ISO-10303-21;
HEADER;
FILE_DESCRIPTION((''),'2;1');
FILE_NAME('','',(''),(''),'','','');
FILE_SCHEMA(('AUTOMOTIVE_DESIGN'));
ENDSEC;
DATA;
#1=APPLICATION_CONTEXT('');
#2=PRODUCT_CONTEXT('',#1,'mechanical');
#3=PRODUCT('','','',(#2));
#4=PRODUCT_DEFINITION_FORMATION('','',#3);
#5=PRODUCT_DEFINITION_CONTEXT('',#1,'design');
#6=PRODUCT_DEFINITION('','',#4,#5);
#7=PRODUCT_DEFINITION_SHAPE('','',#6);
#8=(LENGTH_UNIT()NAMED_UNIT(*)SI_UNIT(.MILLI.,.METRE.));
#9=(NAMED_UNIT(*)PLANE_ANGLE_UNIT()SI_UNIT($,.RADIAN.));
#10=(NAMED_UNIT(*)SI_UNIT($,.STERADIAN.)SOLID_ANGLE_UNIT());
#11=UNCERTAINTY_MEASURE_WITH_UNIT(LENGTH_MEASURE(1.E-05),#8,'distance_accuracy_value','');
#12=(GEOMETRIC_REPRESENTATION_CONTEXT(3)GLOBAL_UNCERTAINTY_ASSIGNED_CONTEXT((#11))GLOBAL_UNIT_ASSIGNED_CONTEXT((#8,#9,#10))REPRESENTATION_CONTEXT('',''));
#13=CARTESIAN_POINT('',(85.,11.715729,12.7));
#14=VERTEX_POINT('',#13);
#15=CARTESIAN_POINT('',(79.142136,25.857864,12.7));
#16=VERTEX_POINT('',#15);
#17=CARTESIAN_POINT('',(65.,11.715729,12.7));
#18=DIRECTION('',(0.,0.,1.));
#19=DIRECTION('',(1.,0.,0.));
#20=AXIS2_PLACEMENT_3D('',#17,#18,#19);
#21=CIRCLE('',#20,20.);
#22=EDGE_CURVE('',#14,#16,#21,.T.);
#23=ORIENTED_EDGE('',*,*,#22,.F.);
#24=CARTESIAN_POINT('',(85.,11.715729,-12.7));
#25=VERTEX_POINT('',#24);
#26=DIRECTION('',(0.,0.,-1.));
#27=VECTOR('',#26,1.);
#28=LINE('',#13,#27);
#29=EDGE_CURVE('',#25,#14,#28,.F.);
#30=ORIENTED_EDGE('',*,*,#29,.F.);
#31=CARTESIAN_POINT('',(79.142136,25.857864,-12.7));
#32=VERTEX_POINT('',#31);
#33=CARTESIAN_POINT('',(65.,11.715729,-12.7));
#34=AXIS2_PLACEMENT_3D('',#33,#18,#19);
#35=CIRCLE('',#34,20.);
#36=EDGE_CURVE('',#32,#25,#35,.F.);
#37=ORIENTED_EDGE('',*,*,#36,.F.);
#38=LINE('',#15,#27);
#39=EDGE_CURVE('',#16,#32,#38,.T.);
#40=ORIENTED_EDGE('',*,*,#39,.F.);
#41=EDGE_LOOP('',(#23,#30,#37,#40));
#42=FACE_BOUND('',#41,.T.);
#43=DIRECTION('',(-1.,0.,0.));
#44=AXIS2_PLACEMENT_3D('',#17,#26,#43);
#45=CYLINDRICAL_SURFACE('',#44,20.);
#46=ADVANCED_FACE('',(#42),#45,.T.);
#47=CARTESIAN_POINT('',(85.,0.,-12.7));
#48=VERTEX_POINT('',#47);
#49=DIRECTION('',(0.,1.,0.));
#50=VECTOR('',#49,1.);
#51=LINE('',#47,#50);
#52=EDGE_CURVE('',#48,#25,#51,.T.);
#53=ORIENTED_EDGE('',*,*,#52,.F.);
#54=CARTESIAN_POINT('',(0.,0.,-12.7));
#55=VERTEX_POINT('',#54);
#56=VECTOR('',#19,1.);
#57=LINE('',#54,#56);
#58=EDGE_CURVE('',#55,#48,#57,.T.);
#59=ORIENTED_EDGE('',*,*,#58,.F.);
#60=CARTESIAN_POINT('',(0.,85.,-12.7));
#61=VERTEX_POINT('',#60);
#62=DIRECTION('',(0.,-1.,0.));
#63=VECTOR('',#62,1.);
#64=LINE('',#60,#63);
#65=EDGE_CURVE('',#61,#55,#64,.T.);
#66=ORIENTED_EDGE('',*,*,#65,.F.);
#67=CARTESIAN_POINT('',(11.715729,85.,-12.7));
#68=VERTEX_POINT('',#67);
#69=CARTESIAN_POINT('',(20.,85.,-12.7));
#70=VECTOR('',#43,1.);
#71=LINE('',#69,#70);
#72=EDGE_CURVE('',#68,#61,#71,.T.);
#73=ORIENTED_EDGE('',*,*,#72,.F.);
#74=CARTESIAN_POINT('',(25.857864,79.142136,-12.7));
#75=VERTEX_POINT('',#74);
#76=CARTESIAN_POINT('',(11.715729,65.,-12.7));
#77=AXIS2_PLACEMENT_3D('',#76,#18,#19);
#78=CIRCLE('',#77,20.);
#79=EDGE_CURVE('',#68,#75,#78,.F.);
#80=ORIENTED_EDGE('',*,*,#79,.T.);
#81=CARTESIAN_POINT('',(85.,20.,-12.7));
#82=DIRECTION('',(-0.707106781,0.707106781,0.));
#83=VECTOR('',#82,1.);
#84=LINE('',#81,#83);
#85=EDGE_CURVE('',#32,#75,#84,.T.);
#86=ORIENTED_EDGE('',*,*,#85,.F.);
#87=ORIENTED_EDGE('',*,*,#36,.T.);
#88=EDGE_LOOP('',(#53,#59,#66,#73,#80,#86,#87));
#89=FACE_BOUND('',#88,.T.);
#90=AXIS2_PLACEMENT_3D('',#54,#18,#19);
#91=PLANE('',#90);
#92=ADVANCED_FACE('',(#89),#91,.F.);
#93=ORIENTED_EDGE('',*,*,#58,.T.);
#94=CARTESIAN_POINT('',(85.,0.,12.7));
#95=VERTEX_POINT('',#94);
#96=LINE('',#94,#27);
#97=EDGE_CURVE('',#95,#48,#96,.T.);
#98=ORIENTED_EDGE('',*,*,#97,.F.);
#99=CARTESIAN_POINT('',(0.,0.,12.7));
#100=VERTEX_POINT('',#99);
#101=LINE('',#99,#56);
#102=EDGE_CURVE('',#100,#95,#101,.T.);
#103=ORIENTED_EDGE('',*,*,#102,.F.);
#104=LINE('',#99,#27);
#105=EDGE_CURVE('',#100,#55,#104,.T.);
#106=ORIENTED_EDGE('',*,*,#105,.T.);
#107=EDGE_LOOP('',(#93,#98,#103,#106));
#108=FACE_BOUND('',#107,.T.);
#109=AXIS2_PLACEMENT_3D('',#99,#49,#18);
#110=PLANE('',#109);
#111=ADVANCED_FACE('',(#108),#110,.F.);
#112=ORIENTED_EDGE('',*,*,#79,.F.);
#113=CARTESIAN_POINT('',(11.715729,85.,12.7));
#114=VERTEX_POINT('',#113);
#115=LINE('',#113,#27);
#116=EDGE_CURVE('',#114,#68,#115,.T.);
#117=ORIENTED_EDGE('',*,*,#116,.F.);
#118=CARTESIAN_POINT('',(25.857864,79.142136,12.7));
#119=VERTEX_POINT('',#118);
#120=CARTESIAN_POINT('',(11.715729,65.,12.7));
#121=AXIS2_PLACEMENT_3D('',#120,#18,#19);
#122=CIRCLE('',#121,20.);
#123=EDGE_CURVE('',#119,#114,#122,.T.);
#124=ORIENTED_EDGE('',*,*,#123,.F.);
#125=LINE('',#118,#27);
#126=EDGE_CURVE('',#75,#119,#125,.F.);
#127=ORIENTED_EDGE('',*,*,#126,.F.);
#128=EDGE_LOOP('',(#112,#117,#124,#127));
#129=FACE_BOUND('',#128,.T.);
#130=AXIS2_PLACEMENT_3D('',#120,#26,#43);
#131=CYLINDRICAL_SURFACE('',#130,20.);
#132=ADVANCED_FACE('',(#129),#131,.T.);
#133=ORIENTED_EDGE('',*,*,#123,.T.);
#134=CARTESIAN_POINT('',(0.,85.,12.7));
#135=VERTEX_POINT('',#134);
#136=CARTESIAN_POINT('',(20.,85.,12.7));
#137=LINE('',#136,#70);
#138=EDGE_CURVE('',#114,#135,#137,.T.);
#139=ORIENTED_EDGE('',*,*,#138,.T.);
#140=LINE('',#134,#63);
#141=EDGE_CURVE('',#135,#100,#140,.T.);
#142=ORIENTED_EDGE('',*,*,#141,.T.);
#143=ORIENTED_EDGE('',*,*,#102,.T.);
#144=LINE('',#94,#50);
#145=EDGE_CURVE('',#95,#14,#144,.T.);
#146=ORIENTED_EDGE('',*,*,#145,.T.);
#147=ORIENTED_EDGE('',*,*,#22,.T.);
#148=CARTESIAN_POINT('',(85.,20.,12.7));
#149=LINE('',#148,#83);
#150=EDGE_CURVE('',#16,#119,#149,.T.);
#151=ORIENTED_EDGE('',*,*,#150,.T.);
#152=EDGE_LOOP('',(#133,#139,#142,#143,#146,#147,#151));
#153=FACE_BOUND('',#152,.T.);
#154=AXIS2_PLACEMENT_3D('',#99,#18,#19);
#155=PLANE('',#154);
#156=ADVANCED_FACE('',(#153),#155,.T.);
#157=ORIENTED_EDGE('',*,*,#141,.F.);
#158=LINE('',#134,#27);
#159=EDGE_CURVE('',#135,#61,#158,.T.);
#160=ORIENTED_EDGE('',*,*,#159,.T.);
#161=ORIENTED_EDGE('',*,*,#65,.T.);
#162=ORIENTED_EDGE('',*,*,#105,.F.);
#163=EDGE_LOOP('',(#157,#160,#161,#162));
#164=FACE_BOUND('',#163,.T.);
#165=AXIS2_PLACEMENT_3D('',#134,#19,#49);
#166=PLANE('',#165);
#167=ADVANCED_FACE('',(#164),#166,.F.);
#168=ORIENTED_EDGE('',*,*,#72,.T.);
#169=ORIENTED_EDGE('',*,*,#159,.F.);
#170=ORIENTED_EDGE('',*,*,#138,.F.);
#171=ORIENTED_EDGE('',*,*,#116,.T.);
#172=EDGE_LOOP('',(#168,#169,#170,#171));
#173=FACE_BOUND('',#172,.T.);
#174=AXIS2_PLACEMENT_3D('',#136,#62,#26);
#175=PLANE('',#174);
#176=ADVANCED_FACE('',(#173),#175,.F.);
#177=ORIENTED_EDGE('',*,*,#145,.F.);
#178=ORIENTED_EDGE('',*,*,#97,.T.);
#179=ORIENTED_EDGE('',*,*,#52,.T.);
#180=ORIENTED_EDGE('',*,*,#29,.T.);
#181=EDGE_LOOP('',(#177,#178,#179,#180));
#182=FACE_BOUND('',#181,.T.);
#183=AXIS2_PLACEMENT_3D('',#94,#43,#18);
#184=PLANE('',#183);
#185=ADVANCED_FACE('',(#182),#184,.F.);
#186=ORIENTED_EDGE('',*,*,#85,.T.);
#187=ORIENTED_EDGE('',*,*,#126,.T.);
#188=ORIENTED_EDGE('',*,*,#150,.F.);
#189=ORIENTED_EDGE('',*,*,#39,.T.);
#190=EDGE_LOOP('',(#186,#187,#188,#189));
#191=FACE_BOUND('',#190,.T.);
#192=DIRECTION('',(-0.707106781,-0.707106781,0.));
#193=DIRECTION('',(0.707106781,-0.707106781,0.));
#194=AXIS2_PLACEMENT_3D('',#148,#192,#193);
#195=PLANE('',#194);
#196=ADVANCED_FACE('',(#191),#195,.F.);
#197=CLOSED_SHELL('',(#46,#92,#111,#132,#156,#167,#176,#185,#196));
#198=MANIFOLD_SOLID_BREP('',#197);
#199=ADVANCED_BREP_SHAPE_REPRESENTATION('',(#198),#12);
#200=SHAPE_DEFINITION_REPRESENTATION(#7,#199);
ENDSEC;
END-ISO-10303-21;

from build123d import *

# Parameters (mm, degrees)
BOSS_EXTRUDE1_DEPTH = 12.7
FILLET1_R           = 20


with BuildPart() as part:
    # Sketch1 → Boss-Extrude1 (new, symmetric)
    with BuildSketch(Plane.XY):
        Polygon((0, 0), (85, 0), (85, 20), (20, 85), (0, 85), align=None)
    extrude(amount=BOSS_EXTRUDE1_DEPTH, both=True)

    # Fillet1
    fillet1_edges = [part.edges().sort_by_distance(p)[0] for p in [
        (20, 85, 0),
        (85, 20, 0),
    ]]
    fillet(fillet1_edges, radius=FILLET1_R)


solid = part.part
